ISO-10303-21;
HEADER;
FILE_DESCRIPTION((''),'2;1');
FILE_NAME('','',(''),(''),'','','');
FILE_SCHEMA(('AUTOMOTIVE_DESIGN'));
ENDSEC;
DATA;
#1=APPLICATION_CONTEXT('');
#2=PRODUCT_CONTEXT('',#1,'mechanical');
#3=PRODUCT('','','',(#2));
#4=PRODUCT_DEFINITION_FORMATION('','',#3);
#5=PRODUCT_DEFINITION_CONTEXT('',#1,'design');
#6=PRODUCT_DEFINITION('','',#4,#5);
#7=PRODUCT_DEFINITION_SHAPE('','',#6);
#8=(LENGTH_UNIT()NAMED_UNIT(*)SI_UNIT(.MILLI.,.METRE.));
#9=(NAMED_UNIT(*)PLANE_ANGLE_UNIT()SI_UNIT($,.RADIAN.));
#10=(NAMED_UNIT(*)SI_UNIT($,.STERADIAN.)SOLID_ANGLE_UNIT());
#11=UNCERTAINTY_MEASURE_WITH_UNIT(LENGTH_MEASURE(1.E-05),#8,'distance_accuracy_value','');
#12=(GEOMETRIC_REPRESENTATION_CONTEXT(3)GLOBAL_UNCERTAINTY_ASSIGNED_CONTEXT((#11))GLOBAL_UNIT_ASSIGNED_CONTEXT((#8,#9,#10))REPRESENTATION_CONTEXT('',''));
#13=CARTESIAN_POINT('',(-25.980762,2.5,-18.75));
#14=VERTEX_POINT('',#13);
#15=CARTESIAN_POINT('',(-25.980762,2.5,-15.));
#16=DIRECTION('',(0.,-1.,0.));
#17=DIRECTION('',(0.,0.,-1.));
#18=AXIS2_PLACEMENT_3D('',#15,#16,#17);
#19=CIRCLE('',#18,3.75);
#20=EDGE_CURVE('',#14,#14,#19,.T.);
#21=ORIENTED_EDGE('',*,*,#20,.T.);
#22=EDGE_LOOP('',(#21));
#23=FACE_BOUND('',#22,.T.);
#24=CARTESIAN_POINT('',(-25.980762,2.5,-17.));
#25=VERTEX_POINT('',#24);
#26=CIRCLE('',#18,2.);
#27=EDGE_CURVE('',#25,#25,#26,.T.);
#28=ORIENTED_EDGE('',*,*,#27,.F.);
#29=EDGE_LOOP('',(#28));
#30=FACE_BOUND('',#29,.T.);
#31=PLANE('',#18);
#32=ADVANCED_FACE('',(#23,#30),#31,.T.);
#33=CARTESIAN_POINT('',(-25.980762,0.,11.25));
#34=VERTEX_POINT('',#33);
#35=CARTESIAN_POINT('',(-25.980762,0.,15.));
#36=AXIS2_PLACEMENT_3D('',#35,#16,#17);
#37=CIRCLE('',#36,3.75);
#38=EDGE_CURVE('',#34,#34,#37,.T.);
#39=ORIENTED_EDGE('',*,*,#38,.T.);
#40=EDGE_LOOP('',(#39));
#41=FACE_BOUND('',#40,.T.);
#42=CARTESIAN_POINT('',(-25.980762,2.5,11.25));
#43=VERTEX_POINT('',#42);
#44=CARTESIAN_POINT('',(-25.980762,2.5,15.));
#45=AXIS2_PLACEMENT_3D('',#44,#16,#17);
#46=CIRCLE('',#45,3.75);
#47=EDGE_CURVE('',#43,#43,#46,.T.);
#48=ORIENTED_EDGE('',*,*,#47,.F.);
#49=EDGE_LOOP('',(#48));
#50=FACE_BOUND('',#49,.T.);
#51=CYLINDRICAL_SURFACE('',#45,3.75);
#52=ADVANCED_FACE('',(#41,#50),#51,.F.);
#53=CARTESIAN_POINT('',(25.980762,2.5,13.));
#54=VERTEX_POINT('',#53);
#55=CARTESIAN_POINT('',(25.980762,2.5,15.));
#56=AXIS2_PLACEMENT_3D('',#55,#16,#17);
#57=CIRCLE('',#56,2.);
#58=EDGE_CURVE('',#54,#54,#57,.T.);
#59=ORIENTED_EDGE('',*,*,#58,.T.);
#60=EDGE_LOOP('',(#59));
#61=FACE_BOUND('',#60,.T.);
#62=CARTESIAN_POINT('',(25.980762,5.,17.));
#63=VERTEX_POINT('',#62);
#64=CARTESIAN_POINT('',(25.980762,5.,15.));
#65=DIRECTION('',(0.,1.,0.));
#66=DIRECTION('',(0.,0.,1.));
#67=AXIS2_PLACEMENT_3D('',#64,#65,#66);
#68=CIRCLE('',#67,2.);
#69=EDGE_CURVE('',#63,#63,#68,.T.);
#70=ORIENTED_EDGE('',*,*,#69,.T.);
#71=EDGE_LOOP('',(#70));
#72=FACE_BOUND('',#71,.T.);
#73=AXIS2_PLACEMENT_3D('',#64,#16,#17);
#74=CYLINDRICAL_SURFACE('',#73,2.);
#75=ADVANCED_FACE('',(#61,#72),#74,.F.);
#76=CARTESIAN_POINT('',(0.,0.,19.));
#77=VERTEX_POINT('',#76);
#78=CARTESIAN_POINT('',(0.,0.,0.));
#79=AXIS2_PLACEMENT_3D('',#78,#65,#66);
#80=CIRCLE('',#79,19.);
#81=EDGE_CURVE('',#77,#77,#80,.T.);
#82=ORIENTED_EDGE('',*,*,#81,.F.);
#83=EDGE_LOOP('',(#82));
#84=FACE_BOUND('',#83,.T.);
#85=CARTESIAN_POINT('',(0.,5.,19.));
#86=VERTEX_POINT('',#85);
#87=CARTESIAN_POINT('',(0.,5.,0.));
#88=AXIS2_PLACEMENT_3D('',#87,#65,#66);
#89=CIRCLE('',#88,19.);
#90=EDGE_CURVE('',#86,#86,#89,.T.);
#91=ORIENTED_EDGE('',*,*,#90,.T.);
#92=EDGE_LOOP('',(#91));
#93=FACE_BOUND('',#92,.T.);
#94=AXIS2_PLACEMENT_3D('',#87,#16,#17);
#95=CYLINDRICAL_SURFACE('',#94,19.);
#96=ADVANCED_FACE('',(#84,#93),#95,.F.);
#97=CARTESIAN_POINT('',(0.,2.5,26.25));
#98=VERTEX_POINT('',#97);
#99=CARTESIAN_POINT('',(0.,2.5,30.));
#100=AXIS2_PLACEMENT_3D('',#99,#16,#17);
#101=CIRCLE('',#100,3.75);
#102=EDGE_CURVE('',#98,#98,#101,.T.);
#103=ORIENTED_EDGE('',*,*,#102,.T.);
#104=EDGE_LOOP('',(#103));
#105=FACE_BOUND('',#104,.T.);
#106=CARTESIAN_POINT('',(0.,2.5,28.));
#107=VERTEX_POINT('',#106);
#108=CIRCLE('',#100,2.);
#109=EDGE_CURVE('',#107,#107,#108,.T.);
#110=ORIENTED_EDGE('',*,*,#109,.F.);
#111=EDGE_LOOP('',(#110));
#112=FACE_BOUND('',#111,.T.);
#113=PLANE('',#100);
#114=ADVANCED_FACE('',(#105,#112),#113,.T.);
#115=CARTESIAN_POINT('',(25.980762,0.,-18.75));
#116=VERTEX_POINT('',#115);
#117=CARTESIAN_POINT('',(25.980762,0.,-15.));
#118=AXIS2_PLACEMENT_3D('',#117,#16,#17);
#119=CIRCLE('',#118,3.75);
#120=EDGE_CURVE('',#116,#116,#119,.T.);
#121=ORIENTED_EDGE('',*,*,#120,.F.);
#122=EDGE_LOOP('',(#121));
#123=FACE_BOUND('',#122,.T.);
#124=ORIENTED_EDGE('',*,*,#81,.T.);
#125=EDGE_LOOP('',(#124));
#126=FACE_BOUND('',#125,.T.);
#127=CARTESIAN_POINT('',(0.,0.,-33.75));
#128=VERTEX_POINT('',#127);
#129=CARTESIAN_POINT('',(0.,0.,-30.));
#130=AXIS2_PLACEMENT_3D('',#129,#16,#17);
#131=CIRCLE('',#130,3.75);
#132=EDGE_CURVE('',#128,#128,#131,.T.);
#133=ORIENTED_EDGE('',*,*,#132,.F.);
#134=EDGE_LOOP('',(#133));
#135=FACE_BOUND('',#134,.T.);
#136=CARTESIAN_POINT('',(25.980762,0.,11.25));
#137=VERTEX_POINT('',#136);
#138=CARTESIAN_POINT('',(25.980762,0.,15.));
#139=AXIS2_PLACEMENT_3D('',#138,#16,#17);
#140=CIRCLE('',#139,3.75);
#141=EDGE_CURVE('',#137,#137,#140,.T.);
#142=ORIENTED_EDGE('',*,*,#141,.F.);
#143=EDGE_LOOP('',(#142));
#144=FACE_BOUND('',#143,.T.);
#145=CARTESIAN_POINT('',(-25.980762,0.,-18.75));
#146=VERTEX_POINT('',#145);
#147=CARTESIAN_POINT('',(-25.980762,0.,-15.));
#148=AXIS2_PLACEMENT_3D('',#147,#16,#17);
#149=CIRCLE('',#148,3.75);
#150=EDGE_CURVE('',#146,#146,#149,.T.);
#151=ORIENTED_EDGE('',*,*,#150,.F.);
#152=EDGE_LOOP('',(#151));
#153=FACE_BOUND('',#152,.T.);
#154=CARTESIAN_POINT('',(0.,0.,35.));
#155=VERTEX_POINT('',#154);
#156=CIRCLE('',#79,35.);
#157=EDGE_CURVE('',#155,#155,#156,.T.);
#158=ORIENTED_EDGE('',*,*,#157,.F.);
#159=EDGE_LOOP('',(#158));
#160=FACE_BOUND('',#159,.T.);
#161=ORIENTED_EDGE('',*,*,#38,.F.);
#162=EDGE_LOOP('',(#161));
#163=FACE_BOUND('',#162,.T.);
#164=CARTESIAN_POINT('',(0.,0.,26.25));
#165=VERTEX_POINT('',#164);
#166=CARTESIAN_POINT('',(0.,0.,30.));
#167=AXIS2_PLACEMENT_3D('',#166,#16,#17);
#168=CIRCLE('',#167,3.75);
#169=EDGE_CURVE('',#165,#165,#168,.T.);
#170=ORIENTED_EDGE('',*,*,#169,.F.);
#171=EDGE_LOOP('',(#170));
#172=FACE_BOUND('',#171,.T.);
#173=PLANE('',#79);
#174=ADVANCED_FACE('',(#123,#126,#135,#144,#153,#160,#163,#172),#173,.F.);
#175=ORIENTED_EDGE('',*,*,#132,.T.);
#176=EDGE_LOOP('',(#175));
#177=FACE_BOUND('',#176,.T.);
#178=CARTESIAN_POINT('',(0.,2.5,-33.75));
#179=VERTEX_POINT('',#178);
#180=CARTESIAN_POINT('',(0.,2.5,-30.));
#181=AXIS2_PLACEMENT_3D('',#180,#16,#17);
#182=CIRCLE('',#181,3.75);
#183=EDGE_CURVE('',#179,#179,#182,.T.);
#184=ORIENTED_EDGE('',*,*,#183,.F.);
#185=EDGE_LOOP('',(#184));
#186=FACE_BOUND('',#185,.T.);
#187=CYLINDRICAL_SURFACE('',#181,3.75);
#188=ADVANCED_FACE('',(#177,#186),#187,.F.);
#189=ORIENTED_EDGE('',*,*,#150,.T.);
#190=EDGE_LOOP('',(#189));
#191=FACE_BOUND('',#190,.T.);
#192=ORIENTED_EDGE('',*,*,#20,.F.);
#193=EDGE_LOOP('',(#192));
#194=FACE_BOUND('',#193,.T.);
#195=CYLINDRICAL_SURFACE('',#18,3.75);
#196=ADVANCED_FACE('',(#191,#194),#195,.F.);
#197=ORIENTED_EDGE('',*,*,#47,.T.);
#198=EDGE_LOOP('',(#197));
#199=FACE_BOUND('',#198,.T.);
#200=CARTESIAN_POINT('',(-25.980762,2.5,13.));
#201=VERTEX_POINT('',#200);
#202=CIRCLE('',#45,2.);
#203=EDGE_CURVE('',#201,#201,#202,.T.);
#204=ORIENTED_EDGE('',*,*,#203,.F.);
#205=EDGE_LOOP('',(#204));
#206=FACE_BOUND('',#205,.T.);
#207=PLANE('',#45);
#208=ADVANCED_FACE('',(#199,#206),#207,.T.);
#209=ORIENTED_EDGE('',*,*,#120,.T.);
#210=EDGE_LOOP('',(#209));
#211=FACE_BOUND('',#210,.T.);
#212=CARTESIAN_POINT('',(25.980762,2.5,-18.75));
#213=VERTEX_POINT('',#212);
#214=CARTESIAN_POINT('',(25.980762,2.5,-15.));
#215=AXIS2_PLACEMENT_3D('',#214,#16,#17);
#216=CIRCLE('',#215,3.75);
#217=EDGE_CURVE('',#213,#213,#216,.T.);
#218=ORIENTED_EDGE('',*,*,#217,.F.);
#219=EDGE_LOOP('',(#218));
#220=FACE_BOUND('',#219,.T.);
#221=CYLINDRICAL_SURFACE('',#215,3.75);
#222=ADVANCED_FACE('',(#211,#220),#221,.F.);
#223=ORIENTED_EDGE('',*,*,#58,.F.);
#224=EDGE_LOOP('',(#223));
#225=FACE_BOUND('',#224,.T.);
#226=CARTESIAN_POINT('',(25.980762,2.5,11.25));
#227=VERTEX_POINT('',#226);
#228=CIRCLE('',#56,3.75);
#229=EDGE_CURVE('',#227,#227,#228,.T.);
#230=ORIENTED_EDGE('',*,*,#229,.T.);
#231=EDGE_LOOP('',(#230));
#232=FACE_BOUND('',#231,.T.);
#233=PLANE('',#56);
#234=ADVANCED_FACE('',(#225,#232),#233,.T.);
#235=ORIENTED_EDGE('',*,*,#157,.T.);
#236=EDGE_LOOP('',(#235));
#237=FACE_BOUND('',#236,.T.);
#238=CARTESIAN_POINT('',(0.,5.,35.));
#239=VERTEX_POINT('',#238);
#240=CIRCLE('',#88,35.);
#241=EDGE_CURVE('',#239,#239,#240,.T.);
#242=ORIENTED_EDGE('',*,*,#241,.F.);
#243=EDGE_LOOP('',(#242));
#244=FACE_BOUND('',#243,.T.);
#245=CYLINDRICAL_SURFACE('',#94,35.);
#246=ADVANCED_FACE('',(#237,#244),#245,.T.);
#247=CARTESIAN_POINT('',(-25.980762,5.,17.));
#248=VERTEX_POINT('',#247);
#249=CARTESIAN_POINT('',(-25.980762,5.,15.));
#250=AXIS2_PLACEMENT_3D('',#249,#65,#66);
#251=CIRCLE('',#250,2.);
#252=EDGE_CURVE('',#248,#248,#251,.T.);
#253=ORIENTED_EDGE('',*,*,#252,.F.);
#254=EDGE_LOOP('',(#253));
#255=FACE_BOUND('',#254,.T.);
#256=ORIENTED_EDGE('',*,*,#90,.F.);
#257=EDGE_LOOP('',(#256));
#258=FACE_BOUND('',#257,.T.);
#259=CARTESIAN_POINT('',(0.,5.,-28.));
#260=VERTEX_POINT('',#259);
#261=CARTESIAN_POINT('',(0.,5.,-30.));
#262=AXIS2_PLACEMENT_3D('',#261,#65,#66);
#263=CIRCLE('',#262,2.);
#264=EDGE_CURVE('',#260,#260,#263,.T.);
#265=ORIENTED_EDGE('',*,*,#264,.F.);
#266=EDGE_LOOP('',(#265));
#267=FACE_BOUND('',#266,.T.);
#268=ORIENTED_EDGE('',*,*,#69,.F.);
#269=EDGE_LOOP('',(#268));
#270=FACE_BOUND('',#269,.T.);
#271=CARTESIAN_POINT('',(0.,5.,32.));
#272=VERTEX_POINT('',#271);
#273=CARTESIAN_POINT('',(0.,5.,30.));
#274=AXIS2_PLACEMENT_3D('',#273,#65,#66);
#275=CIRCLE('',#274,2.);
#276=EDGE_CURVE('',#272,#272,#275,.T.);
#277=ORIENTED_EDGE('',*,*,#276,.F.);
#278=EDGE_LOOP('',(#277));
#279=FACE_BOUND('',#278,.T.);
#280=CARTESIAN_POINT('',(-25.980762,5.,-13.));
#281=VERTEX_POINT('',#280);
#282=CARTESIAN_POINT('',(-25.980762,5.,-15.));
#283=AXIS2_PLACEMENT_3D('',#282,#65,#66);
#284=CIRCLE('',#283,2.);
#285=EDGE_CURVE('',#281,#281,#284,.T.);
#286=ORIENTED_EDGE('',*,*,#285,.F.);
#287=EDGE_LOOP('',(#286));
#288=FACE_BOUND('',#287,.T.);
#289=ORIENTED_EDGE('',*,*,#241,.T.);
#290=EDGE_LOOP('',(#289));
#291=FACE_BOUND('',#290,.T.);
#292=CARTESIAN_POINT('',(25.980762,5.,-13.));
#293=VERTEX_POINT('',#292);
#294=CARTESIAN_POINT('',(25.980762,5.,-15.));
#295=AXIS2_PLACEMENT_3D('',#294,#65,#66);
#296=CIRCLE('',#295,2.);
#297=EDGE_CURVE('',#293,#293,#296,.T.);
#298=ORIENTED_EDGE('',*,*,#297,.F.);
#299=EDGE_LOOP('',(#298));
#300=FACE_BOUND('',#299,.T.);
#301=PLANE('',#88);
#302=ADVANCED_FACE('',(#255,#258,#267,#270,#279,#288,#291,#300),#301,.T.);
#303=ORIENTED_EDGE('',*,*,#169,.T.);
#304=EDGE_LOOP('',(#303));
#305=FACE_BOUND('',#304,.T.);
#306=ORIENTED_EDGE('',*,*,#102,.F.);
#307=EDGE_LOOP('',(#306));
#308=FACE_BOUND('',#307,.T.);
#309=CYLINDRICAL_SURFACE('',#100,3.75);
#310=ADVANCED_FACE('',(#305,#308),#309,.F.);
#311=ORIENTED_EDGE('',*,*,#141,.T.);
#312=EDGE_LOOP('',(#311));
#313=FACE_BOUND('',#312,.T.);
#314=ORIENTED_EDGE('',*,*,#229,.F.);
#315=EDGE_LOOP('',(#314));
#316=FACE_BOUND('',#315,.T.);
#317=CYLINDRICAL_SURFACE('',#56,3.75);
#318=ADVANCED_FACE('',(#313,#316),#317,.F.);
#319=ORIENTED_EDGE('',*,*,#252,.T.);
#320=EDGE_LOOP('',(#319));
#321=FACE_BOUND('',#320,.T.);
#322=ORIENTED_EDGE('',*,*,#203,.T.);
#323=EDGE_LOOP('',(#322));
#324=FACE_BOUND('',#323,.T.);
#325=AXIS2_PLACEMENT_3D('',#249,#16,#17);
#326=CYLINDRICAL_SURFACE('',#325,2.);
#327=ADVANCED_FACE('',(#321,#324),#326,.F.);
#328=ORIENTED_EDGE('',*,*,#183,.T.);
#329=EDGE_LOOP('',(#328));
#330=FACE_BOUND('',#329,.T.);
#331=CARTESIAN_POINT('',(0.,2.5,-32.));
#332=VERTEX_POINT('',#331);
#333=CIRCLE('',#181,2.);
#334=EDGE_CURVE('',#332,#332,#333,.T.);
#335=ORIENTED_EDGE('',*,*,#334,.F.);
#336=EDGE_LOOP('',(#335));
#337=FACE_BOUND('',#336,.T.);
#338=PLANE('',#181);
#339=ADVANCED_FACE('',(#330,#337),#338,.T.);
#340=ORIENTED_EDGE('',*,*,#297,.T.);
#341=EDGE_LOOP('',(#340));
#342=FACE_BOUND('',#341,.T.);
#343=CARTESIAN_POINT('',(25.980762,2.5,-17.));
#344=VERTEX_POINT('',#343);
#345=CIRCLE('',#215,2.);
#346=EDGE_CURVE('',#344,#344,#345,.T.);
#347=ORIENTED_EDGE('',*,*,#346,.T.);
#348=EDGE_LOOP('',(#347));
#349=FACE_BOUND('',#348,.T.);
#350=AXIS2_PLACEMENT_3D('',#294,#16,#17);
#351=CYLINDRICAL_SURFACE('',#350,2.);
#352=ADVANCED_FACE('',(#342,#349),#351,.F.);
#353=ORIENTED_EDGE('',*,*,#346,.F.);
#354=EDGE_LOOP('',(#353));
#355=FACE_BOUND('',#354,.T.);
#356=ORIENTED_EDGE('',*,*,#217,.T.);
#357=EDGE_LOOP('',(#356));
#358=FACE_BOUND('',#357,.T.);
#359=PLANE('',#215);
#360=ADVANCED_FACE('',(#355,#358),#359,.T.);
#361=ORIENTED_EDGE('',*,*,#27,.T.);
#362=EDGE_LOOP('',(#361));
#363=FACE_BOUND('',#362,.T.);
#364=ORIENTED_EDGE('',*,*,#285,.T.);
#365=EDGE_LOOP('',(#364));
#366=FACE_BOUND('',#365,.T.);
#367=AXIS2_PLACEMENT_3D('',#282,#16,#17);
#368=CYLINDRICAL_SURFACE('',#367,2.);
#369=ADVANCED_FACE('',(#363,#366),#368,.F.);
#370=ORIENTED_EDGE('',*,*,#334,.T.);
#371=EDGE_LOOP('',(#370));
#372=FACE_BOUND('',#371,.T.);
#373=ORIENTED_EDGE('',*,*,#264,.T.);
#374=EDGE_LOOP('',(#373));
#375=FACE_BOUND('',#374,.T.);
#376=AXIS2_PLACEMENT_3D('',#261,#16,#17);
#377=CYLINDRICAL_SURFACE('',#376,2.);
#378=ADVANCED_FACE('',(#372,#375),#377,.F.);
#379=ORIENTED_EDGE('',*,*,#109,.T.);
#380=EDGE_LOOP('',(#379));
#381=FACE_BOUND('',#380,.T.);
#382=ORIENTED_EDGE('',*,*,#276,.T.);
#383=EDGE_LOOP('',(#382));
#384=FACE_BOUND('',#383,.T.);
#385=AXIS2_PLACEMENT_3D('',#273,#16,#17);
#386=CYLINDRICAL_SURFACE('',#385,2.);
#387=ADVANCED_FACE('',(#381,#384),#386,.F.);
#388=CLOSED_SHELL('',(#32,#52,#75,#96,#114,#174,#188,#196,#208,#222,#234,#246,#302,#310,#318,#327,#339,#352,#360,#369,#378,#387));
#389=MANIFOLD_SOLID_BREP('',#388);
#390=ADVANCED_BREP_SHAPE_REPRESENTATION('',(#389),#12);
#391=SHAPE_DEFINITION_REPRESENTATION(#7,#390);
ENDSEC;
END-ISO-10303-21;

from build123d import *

# Parameters (mm, degrees)
SKETCH_1_R          = 35
SKETCH_1_R_2        = 19
SKETCH_1_R_3        = 2
EXTRUDE_1_DEPTH     = 5
SKETCH_2_R          = 3.75
CUT_EXTRUDE_1_DEPTH = 2.5


with BuildPart() as part:
    # 草图1 → 凸台-拉伸1 (new body)
    with BuildSketch(Plane(origin=(0, 0, 0), x_dir=(1, 0, 0), z_dir=(0, 1, 0))):
        with Locations(Location((0, 0, 0), (0, 0, 270))):
            Circle(SKETCH_1_R)
        with Locations(Location((0, 0, 0), (0, 0, 270))):
            Circle(SKETCH_1_R_2, mode=Mode.SUBTRACT)
        with Locations(Location((0, 30, 0), (0, 0, 270))):
            Circle(SKETCH_1_R_3, mode=Mode.SUBTRACT)
        with Locations(Location((25.980762114, 15, 0), (0, 0, 270))):
            Circle(SKETCH_1_R_3, mode=Mode.SUBTRACT)
        with Locations(Location((25.980762114, -15, 0), (0, 0, 270))):
            Circle(SKETCH_1_R_3, mode=Mode.SUBTRACT)
        with Locations(Location((0, -30, 0), (0, 0, 270))):
            Circle(SKETCH_1_R_3, mode=Mode.SUBTRACT)
        with Locations(Location((-25.980762114, -15, 0), (0, 0, 270))):
            Circle(SKETCH_1_R_3, mode=Mode.SUBTRACT)
        with Locations(Location((-25.980762114, 15, 0), (0, 0, 270))):
            Circle(SKETCH_1_R_3, mode=Mode.SUBTRACT)
    extrude(amount=EXTRUDE_1_DEPTH)

    # 草图2 → 切除-拉伸1 (cut)
    with BuildSketch(Plane.XZ):
        with Locations(Location((0, 30, 0), (0, 0, 270))):
            Circle(SKETCH_2_R)
        with Locations(Location((25.980762114, 15, 0), (0, 0, 270))):
            Circle(SKETCH_2_R)
        with Locations(Location((25.980762114, -15, 0), (0, 0, 270))):
            Circle(SKETCH_2_R)
        with Locations(Location((0, -30, 0), (0, 0, 270))):
            Circle(SKETCH_2_R)
        with Locations(Location((-25.980762114, -15, 0), (0, 0, 270))):
            Circle(SKETCH_2_R)
        with Locations(Location((-25.980762114, 15, 0), (0, 0, 270))):
            Circle(SKETCH_2_R)
    extrude(amount=-CUT_EXTRUDE_1_DEPTH, mode=Mode.SUBTRACT)


solid = part.part
